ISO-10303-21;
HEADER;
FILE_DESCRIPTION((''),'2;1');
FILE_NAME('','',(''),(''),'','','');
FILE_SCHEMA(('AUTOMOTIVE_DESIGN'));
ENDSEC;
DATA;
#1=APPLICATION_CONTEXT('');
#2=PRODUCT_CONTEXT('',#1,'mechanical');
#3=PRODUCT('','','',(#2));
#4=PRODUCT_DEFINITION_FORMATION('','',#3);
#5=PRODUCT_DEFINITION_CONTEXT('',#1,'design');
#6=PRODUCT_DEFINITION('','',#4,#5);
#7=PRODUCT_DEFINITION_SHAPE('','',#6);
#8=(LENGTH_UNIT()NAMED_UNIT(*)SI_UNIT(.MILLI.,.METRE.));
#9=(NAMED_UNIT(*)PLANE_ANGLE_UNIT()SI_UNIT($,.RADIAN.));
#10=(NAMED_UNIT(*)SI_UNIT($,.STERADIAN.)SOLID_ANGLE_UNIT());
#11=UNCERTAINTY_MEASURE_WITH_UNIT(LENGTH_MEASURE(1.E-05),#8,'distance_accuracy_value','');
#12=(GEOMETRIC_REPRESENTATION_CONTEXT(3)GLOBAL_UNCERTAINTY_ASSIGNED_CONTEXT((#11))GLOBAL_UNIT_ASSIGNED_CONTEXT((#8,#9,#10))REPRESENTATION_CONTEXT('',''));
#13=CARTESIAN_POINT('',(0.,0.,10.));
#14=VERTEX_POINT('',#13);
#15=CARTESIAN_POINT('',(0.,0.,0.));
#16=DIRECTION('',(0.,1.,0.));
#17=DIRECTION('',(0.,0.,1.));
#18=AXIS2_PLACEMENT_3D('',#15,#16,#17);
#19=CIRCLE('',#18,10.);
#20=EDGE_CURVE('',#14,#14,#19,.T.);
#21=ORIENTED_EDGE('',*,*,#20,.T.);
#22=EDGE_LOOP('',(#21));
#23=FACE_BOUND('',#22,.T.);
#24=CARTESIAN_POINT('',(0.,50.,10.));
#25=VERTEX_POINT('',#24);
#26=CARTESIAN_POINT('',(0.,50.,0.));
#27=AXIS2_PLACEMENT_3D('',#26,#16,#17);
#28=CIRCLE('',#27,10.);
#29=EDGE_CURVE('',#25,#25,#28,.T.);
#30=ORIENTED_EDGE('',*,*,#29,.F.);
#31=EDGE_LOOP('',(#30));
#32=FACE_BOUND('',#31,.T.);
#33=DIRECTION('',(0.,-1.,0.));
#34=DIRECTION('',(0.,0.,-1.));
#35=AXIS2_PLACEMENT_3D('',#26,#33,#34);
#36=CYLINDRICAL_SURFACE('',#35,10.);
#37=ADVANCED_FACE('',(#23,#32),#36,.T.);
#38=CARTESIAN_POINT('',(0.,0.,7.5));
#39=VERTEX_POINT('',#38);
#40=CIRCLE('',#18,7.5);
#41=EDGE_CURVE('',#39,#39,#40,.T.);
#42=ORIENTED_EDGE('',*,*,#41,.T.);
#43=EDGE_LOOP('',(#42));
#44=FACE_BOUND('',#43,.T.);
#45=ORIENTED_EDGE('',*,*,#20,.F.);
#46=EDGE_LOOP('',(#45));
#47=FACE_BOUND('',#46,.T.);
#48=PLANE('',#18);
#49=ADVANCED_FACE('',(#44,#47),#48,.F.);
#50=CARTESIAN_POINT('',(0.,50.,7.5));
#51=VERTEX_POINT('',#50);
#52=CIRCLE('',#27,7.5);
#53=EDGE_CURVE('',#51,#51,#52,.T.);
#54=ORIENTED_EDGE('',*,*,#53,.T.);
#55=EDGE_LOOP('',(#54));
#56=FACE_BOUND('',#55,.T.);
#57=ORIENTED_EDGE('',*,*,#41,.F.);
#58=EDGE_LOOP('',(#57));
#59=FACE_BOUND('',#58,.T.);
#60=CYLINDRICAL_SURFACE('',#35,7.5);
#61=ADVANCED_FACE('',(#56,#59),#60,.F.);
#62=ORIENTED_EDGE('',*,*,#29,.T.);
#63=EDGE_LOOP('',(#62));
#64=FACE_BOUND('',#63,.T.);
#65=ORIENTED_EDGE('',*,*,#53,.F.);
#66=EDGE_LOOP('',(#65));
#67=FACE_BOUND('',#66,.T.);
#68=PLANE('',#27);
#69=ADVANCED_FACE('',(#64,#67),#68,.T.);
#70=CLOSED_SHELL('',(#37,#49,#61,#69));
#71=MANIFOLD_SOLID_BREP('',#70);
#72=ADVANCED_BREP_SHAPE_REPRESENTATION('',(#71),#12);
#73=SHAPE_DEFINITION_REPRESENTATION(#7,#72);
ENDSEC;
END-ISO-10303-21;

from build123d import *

# Parameters (mm, degrees)
SKETCH12_R              = 10
SKETCH12_R_2            = 7.5
PIPE_21_3_X_2_3_1_DEPTH = 50


with BuildPart() as part:
    # Sketch12 → Pipe 21.3 X 2.3(1) (new body)
    with BuildSketch(Plane(origin=(0, 0, 0), x_dir=(1, 0, 0), z_dir=(0, 1, 0))):
        Circle(SKETCH12_R)
        Circle(SKETCH12_R_2, mode=Mode.SUBTRACT)
    extrude(amount=PIPE_21_3_X_2_3_1_DEPTH)


solid = part.part
